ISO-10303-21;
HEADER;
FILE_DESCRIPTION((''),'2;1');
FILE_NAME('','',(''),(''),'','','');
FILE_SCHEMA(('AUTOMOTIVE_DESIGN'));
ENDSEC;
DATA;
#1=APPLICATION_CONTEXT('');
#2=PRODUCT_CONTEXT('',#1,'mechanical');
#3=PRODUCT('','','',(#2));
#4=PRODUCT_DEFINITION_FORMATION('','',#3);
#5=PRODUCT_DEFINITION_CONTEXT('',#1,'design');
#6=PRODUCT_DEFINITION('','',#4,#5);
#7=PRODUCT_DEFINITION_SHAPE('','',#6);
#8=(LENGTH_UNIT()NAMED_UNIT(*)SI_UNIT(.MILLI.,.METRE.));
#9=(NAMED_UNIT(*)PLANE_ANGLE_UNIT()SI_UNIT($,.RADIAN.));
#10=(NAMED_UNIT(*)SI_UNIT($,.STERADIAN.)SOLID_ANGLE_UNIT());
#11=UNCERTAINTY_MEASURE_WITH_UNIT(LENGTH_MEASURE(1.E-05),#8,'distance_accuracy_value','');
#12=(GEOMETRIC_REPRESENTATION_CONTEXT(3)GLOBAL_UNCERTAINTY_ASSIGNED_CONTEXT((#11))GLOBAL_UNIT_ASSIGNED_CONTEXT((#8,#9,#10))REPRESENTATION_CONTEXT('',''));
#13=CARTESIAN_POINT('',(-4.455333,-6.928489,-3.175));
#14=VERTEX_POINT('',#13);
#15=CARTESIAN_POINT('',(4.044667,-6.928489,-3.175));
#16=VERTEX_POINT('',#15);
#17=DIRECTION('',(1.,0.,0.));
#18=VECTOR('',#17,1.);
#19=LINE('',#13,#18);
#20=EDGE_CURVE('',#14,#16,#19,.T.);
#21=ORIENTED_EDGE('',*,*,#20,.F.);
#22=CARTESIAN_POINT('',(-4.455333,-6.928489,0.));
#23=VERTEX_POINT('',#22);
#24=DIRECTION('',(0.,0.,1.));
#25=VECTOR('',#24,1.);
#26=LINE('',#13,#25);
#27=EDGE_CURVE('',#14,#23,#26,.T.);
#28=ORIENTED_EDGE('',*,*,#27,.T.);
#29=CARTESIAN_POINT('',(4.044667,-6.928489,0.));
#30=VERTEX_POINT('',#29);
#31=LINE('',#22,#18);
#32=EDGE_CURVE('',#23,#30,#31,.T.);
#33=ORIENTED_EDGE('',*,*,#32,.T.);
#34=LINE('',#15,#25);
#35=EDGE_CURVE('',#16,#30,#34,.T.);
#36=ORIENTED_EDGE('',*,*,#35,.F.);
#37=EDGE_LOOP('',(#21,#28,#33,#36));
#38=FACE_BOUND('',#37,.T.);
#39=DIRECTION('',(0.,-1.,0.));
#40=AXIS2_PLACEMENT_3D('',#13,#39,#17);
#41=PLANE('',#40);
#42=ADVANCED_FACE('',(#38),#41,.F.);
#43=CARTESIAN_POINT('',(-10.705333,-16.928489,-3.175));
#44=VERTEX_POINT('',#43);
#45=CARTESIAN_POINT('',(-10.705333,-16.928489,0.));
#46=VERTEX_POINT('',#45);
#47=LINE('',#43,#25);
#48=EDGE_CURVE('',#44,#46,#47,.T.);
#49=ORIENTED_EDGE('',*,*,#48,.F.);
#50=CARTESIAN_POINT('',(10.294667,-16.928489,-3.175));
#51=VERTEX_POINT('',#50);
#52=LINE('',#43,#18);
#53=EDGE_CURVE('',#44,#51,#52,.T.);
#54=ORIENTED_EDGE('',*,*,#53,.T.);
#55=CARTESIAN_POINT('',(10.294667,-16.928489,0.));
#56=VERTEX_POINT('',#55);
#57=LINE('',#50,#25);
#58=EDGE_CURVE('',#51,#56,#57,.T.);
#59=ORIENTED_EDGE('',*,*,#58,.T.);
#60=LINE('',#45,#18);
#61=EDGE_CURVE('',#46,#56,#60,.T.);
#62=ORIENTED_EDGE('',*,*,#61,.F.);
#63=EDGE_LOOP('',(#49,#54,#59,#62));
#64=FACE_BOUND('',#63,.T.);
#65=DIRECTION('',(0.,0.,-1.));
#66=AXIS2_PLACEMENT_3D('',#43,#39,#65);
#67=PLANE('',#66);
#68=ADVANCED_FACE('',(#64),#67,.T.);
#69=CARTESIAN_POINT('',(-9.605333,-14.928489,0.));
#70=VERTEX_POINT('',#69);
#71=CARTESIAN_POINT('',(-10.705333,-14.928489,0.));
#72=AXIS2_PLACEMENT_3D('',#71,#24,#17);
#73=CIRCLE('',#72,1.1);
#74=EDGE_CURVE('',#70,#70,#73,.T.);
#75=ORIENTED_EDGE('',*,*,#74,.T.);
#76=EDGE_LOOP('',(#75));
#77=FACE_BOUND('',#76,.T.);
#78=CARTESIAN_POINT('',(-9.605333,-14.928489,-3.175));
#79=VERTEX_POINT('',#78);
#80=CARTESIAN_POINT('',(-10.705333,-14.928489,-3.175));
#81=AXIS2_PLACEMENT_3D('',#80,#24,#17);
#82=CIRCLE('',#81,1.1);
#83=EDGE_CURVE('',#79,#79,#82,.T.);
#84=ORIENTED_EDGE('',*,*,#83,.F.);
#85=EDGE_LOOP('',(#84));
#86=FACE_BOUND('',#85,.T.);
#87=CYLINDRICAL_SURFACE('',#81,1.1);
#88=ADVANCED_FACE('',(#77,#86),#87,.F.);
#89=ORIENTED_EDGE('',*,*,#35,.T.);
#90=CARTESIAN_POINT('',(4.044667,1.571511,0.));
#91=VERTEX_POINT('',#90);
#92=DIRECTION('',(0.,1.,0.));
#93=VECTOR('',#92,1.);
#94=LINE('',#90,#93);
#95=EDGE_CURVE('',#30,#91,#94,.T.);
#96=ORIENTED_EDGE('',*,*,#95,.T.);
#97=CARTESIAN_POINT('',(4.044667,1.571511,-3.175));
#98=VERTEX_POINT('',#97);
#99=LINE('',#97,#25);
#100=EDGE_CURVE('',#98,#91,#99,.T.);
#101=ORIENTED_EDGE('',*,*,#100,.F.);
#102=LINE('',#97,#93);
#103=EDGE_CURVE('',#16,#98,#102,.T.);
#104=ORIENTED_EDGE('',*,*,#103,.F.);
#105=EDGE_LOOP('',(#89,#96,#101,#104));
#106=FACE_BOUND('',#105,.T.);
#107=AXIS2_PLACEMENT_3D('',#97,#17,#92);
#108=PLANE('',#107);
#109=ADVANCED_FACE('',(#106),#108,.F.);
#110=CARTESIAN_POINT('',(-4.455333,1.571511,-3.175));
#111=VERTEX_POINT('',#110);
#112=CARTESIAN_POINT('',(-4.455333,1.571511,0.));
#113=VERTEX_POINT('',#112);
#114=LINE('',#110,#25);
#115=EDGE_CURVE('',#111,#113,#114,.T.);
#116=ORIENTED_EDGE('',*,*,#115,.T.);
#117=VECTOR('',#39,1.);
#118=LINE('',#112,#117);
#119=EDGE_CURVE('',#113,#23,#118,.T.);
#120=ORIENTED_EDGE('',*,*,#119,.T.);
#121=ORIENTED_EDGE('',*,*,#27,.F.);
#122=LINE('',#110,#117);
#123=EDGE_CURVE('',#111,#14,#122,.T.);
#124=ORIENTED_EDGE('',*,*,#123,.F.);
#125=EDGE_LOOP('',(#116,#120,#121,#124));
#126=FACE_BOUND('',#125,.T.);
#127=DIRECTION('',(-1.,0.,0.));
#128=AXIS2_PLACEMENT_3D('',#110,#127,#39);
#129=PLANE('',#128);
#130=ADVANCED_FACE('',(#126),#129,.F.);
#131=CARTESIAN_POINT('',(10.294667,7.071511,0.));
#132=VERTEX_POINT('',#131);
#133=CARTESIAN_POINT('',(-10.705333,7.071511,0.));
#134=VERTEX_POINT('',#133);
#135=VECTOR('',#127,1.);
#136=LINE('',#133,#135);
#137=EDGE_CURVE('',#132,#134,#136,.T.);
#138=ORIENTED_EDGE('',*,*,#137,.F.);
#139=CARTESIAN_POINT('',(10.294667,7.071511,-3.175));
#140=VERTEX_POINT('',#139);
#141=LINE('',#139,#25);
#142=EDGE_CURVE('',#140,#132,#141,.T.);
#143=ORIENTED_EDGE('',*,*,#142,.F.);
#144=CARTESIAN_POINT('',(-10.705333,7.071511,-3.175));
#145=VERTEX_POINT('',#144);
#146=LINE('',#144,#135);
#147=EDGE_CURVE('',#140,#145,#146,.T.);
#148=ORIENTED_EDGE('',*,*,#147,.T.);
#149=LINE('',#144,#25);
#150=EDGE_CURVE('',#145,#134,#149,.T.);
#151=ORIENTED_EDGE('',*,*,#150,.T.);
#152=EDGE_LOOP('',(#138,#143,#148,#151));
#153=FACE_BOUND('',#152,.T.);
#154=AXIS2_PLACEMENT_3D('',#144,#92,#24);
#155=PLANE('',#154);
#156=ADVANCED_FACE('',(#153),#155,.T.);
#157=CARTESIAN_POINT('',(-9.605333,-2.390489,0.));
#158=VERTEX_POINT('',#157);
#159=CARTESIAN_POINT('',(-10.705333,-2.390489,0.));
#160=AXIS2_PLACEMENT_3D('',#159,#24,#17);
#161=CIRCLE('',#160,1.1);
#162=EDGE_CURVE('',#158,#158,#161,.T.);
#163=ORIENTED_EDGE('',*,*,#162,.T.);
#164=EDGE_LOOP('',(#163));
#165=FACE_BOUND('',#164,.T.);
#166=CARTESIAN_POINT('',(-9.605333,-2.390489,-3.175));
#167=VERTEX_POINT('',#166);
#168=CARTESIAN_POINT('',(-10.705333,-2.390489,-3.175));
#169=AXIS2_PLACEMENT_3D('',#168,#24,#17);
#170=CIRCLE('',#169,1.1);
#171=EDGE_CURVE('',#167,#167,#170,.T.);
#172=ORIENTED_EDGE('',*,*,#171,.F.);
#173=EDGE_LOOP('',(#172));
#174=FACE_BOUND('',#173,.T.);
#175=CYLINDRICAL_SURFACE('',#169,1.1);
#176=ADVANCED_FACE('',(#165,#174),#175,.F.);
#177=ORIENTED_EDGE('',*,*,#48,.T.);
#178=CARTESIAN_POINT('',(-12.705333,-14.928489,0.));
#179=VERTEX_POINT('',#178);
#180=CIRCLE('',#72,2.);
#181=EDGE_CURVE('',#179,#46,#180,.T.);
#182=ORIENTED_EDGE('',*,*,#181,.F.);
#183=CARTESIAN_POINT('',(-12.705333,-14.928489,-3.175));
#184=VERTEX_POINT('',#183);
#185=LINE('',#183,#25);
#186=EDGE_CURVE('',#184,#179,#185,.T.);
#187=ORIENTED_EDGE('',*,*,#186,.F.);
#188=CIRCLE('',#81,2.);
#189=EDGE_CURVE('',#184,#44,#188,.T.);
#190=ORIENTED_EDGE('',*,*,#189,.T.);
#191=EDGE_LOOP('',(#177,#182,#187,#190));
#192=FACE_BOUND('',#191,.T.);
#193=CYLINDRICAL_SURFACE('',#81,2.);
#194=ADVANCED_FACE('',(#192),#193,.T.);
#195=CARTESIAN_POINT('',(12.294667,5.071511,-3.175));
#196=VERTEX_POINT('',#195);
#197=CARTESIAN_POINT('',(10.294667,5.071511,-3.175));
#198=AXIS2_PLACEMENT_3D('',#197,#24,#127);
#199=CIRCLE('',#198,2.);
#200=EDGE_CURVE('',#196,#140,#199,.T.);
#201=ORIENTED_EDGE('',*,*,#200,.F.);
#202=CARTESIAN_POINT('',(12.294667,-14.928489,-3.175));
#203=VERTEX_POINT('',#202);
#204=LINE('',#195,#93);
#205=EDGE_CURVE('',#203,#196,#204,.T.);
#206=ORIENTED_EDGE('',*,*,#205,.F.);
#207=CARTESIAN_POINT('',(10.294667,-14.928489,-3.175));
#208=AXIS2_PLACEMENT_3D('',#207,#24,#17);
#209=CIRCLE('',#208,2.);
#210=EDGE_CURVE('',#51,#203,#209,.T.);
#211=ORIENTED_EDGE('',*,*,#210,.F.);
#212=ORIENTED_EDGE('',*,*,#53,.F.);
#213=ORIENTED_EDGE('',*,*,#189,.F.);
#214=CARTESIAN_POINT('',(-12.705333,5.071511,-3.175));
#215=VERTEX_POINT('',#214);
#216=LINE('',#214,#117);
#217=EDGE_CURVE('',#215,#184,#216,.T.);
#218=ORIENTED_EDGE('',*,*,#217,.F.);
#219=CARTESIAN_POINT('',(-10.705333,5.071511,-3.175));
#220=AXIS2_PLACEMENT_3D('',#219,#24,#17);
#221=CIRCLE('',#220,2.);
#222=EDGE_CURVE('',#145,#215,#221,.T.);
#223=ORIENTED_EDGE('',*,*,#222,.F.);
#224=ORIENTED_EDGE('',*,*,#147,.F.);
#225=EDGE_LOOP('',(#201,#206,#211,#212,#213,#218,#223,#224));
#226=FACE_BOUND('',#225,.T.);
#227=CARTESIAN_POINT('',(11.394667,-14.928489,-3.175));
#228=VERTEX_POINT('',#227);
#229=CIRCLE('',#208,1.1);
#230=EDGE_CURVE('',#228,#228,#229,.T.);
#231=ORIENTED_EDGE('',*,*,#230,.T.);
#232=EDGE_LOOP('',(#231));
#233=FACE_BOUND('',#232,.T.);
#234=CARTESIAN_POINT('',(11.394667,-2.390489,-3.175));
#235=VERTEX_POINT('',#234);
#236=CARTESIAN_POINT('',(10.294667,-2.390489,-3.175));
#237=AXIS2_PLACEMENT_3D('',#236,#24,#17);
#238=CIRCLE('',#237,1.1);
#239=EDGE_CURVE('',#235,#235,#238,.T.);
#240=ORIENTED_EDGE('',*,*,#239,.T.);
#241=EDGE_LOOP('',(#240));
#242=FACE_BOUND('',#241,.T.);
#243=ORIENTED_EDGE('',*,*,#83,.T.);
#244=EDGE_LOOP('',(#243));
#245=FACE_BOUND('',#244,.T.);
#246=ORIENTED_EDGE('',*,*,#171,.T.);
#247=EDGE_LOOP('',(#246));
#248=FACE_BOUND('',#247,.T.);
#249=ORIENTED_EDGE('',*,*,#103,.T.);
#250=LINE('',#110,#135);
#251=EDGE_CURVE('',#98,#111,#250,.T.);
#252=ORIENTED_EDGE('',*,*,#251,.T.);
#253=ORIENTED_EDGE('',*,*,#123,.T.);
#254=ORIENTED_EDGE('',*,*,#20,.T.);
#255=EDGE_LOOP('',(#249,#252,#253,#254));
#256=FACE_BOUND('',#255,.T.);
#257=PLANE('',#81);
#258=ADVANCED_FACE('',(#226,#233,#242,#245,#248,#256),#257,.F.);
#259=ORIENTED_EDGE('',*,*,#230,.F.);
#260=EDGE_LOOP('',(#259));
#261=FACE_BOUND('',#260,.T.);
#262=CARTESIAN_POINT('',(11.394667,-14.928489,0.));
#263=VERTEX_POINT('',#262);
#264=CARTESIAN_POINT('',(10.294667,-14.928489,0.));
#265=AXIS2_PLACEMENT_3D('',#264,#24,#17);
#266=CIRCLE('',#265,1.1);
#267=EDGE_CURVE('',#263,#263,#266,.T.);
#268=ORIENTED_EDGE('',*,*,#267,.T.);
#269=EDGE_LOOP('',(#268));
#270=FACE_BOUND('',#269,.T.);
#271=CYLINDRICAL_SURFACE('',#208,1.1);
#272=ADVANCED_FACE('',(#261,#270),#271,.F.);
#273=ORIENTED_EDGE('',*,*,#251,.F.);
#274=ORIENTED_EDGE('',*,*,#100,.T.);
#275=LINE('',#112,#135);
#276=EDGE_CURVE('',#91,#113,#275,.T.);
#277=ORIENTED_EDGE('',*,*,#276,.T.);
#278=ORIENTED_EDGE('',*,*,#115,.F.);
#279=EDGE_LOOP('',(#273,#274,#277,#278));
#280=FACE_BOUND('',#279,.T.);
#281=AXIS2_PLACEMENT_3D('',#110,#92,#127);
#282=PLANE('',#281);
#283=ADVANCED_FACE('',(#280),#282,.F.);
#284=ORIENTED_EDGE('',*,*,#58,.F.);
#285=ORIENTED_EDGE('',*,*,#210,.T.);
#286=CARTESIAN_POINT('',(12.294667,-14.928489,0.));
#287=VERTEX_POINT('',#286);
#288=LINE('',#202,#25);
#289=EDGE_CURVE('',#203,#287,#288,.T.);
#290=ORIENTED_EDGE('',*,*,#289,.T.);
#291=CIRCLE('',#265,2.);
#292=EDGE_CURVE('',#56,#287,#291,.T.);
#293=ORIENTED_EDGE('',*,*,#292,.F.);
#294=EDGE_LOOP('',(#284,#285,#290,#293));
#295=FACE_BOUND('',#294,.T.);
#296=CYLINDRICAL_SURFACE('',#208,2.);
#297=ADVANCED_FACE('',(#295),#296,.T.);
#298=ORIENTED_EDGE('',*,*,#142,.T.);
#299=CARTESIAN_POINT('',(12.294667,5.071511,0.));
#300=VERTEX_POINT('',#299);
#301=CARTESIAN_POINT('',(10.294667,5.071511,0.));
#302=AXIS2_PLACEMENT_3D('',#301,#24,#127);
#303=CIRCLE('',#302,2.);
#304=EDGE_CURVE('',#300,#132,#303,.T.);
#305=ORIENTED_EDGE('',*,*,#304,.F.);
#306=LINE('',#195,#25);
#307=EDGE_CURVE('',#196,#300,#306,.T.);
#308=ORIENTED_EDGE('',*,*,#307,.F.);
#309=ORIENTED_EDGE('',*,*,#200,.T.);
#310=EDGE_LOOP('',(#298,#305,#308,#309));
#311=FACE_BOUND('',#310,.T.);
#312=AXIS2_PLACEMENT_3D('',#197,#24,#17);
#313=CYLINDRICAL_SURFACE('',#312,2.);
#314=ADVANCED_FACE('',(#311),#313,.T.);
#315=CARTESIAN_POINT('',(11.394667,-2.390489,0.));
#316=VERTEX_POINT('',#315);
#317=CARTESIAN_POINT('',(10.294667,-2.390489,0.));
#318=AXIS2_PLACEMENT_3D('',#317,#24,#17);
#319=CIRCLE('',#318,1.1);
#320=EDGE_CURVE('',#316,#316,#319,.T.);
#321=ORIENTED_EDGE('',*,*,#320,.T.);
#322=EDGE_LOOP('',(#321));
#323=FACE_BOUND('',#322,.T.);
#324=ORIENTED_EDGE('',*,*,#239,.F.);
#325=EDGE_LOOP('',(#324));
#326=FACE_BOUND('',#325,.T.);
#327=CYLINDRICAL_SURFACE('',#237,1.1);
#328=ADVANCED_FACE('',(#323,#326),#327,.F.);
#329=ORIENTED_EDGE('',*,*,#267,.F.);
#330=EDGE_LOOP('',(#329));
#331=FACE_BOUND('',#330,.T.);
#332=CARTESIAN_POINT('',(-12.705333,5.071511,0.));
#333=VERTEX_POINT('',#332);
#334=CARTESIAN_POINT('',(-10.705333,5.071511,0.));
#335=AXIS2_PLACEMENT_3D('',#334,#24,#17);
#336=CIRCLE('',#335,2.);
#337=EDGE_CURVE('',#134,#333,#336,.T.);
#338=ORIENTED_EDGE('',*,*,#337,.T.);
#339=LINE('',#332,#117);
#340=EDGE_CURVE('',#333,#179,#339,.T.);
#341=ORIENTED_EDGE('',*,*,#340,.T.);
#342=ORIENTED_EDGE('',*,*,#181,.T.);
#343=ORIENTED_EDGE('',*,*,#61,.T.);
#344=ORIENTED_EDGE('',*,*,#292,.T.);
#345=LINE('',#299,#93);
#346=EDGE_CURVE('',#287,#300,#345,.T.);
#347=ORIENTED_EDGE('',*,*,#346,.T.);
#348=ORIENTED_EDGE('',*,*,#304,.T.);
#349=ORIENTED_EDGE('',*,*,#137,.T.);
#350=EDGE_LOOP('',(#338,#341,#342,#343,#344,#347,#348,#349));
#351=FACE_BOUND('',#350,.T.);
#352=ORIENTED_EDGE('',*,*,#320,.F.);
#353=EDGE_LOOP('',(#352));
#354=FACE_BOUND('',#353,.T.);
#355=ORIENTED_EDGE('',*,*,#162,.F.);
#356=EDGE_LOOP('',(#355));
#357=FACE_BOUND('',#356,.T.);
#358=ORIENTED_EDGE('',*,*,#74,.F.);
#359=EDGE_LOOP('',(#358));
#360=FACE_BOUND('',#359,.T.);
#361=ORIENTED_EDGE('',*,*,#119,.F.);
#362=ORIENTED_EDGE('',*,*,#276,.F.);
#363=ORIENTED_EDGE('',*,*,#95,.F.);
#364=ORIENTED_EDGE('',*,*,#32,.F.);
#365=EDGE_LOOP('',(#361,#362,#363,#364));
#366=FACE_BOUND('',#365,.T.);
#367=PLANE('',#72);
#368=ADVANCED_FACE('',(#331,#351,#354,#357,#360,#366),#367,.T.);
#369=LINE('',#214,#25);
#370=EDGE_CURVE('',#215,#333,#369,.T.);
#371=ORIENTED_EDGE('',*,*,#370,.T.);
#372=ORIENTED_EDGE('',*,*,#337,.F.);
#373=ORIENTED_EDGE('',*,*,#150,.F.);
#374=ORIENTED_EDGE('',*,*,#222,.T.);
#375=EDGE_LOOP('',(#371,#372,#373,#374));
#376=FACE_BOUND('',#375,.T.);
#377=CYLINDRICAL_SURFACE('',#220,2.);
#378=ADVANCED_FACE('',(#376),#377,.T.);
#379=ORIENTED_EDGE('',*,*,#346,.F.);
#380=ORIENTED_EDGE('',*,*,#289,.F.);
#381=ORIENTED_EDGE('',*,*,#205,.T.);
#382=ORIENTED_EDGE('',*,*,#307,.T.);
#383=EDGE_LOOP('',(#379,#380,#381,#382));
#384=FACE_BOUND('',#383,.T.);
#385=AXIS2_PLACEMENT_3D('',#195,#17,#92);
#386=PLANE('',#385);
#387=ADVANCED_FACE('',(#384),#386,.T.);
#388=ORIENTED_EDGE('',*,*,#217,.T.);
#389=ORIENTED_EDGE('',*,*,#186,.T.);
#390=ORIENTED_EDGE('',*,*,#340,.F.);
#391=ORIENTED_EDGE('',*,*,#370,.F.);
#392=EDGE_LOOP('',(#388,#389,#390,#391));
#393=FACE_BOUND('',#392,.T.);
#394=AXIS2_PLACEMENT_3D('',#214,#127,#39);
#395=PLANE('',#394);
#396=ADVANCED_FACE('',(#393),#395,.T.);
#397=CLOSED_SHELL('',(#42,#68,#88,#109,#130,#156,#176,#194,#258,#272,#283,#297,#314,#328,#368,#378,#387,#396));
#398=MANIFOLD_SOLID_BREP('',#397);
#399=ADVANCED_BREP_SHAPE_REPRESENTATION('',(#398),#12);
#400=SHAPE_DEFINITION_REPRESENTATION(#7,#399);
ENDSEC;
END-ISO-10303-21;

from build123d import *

# Parameters (mm, degrees)
SKETCH1_R           = 1.1
SKETCH1_W           = 8.5
SKETCH1_H           = 8.5
BOSS_EXTRUDE1_DEPTH = 3.175


with BuildPart() as part:
    # Sketch1 → Boss-Extrude1 (new body)
    with BuildSketch(Plane.XY):
        with BuildLine():
            Line((-10.705332644, 7.071510672), (10.294667356, 7.071510672))
            ThreePointArc((10.294667356, 7.071510672), (11.708880919, 6.485724235), (12.294667356, 5.071510672))
            Line((12.294667356, 5.071510672), (12.294667356, -14.928489328))
            ThreePointArc((12.294667356, -14.928489328), (11.708880919, -16.34270289), (10.294667356, -16.928489328))
            Line((10.294667356, -16.928489328), (-10.705332644, -16.928489328))
            ThreePointArc((-10.705332644, -16.928489328), (-12.119546206, -16.34270289), (-12.705332644, -14.928489328))
            Line((-12.705332644, -14.928489328), (-12.705332644, 5.071510672))
            ThreePointArc((-12.705332644, 5.071510672), (-12.119546206, 6.485724235), (-10.705332644, 7.071510672))
        make_face()
        with Locations((-10.705332644, -14.928489328)):
            Circle(SKETCH1_R, mode=Mode.SUBTRACT)
        with Locations((-10.705332644, -2.390489328)):
            Circle(SKETCH1_R, mode=Mode.SUBTRACT)
        with Locations((10.294667356, -2.390489328)):
            Circle(SKETCH1_R, mode=Mode.SUBTRACT)
        with Locations((10.294667356, -14.928489328)):
            Circle(SKETCH1_R, mode=Mode.SUBTRACT)
        with Locations((-0.205332644, -2.678489328)):
            Rectangle(SKETCH1_W, SKETCH1_H, mode=Mode.SUBTRACT)
    extrude(amount=-BOSS_EXTRUDE1_DEPTH)


solid = part.part
